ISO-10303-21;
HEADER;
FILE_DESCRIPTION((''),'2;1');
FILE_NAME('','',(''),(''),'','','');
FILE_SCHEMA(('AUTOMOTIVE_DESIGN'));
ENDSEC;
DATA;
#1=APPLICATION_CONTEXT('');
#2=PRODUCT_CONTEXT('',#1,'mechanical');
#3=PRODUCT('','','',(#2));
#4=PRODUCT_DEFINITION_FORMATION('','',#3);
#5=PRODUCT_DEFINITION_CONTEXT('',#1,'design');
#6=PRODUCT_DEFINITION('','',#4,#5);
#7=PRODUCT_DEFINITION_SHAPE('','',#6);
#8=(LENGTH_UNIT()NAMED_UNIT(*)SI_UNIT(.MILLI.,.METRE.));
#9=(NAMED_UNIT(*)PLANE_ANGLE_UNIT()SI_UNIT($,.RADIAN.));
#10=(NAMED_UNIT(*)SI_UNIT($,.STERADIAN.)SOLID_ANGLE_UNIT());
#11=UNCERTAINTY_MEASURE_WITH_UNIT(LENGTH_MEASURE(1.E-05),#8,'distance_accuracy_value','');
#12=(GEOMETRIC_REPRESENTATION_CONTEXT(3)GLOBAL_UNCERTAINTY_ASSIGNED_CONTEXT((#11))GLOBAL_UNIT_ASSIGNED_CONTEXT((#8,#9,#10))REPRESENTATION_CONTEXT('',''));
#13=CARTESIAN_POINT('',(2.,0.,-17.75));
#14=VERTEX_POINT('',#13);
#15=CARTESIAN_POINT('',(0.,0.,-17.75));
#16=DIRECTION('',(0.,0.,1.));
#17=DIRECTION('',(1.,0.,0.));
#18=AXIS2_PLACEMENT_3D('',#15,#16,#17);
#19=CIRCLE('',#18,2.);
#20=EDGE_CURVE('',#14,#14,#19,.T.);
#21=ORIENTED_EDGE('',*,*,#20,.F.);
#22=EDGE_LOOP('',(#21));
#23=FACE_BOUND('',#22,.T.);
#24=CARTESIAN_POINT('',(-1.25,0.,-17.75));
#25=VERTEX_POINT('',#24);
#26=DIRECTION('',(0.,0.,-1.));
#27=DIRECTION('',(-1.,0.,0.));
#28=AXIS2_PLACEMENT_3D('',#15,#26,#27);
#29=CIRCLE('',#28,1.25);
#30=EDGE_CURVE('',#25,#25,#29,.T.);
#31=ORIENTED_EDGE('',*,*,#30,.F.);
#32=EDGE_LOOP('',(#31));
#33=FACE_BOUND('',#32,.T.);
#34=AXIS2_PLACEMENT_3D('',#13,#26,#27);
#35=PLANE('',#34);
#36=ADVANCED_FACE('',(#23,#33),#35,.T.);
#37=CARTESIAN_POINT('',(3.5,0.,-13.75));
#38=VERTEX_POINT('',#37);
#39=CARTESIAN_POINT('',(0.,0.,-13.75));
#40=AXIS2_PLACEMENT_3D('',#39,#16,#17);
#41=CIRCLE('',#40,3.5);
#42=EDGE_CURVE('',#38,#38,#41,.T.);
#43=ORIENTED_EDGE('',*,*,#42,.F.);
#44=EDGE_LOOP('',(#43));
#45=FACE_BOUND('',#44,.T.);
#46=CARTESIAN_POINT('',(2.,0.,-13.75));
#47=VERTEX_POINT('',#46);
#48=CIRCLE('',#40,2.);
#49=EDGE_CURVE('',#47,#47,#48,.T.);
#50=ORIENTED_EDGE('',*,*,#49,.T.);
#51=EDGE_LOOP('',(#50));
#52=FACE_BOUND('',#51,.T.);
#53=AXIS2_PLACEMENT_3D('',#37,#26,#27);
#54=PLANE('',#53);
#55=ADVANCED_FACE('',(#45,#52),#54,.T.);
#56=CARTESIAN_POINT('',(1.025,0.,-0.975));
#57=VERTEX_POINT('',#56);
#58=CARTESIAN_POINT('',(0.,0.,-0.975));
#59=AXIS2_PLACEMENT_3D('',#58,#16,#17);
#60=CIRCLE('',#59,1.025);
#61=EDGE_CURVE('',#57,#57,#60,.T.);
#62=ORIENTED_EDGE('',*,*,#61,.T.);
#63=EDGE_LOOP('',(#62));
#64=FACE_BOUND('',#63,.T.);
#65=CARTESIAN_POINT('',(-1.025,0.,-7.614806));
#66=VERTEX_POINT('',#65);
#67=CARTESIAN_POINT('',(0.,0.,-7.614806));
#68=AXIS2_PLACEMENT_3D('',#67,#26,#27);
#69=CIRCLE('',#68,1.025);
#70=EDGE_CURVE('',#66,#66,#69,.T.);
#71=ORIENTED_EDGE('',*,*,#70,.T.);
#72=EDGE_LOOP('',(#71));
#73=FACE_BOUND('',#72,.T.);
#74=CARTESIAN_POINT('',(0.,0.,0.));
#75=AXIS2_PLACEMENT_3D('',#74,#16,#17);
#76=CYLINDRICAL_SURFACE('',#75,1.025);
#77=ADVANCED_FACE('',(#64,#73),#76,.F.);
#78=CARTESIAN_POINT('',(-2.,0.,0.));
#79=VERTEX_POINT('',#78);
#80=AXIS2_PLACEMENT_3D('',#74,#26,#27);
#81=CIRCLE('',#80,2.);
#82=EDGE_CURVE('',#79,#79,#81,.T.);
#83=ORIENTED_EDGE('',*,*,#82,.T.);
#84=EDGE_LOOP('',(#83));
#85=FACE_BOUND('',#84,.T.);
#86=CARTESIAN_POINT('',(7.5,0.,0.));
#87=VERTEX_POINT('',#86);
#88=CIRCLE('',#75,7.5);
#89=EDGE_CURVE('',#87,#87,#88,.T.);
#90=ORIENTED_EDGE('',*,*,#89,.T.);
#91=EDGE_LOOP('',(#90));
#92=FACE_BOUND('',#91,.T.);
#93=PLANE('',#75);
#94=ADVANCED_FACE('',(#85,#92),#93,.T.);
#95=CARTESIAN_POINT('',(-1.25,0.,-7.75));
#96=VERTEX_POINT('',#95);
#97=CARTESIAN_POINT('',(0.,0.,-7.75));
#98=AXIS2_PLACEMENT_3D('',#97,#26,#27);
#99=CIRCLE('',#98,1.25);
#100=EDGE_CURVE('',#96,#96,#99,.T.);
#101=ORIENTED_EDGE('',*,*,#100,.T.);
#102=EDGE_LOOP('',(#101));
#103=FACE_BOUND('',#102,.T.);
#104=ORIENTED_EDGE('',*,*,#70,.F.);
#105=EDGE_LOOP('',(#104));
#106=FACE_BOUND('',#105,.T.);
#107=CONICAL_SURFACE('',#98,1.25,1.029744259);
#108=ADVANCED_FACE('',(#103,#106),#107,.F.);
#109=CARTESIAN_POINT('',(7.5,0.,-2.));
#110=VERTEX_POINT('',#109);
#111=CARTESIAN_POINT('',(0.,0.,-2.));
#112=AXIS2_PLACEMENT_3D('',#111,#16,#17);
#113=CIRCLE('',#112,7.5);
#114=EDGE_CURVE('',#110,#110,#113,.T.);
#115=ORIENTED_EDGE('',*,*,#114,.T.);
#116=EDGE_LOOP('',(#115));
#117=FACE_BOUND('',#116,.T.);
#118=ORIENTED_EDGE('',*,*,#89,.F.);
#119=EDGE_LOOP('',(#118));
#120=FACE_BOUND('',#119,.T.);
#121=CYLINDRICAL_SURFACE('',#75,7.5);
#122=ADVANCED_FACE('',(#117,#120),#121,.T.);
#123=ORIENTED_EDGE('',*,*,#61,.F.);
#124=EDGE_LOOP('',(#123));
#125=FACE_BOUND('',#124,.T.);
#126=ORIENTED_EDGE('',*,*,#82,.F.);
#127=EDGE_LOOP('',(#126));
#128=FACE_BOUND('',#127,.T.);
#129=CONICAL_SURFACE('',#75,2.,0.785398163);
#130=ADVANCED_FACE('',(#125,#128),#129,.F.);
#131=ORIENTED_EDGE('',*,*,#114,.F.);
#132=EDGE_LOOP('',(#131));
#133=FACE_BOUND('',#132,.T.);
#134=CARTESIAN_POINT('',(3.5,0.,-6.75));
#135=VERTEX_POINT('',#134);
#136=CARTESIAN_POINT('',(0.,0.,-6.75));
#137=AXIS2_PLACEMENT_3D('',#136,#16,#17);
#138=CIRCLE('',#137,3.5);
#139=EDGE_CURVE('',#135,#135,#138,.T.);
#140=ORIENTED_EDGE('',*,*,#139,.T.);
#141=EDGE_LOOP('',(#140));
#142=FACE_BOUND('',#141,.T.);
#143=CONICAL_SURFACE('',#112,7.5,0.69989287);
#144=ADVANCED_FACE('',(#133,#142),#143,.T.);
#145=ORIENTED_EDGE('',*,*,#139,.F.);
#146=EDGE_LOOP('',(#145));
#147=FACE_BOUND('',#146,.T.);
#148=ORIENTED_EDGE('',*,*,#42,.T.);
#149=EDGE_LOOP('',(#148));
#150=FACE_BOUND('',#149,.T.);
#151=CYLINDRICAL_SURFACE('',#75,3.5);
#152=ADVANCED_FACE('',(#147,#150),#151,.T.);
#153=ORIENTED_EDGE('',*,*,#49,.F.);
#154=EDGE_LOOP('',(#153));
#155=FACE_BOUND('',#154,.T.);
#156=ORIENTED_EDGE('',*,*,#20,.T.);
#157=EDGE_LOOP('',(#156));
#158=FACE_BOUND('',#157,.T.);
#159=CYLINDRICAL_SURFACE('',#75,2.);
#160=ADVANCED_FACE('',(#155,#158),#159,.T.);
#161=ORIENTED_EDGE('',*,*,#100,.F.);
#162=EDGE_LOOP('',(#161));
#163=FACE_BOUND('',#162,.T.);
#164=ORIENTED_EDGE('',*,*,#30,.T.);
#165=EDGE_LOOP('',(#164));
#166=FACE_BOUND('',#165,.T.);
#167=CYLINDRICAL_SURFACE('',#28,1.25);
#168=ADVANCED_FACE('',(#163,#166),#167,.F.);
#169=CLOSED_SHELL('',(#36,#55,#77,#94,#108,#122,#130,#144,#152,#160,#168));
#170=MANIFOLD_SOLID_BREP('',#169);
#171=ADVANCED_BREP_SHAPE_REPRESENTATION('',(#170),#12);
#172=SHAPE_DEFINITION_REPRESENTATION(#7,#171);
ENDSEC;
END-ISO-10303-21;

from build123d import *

# Parameters (mm, degrees)
BROCA_DE_ROSQUEAR_PARA_TARRAXA_DE_M2_5X0_D = 2.05
FURO_ROSCADO_DE_M3X0_53_D                  = 2.5
FURO_ROSCADO_DE_M3X0_53_DEPTH              = 10
FURO_ROSCADO_DE_M3X0_53_TIP                = 0.751075774


with BuildPart() as part:
    # Esboço1 → Revolução1 (revolve)
    with BuildSketch(Plane(origin=(0, 0, 0), x_dir=(1, 0, 0), z_dir=(0, 1, 0))):
        Polygon((0, 0), (7.5, 0), (7.5, 2), (3.5, 6.75), (3.5, 13.75), (2, 13.75), (2, 17.75), (0, 17.75), align=None)
    revolve(axis=Axis((0, 0, 0), (0, 0, -1)))

    # Esboço8 → Corte-Revolução3 (revolve, cut)
    with BuildSketch(Plane(origin=(0, 0, 0), x_dir=(1, 0, 0), z_dir=(0, 1, 0))):
        Polygon((0, 0), (2, 0), (0, 2), align=None)
    revolve(axis=Axis((0, 0, -3.199109989), (0, 0, 1)), mode=Mode.SUBTRACT)

    # Broca de rosquear para tarraxa de M2.5x0.451 (through all)
    with Locations(Plane.XY):
        with Locations((0, 0)):
            Hole(BROCA_DE_ROSQUEAR_PARA_TARRAXA_DE_M2_5X0_D / 2)

    # Furo roscado de M3x0.53
    with Locations(Plane(origin=(0, 0, -17.75), x_dir=(-1, 0, 0), z_dir=(0, 0, -1))):
        with Locations((0, 0)):
            Hole(FURO_ROSCADO_DE_M3X0_53_D / 2, depth=FURO_ROSCADO_DE_M3X0_53_DEPTH)
            with Locations((0, 0, -(FURO_ROSCADO_DE_M3X0_53_DEPTH + FURO_ROSCADO_DE_M3X0_53_TIP / 2))):  # 118° drill point
                Cone(0, FURO_ROSCADO_DE_M3X0_53_D / 2, FURO_ROSCADO_DE_M3X0_53_TIP, mode=Mode.SUBTRACT)


solid = part.part
